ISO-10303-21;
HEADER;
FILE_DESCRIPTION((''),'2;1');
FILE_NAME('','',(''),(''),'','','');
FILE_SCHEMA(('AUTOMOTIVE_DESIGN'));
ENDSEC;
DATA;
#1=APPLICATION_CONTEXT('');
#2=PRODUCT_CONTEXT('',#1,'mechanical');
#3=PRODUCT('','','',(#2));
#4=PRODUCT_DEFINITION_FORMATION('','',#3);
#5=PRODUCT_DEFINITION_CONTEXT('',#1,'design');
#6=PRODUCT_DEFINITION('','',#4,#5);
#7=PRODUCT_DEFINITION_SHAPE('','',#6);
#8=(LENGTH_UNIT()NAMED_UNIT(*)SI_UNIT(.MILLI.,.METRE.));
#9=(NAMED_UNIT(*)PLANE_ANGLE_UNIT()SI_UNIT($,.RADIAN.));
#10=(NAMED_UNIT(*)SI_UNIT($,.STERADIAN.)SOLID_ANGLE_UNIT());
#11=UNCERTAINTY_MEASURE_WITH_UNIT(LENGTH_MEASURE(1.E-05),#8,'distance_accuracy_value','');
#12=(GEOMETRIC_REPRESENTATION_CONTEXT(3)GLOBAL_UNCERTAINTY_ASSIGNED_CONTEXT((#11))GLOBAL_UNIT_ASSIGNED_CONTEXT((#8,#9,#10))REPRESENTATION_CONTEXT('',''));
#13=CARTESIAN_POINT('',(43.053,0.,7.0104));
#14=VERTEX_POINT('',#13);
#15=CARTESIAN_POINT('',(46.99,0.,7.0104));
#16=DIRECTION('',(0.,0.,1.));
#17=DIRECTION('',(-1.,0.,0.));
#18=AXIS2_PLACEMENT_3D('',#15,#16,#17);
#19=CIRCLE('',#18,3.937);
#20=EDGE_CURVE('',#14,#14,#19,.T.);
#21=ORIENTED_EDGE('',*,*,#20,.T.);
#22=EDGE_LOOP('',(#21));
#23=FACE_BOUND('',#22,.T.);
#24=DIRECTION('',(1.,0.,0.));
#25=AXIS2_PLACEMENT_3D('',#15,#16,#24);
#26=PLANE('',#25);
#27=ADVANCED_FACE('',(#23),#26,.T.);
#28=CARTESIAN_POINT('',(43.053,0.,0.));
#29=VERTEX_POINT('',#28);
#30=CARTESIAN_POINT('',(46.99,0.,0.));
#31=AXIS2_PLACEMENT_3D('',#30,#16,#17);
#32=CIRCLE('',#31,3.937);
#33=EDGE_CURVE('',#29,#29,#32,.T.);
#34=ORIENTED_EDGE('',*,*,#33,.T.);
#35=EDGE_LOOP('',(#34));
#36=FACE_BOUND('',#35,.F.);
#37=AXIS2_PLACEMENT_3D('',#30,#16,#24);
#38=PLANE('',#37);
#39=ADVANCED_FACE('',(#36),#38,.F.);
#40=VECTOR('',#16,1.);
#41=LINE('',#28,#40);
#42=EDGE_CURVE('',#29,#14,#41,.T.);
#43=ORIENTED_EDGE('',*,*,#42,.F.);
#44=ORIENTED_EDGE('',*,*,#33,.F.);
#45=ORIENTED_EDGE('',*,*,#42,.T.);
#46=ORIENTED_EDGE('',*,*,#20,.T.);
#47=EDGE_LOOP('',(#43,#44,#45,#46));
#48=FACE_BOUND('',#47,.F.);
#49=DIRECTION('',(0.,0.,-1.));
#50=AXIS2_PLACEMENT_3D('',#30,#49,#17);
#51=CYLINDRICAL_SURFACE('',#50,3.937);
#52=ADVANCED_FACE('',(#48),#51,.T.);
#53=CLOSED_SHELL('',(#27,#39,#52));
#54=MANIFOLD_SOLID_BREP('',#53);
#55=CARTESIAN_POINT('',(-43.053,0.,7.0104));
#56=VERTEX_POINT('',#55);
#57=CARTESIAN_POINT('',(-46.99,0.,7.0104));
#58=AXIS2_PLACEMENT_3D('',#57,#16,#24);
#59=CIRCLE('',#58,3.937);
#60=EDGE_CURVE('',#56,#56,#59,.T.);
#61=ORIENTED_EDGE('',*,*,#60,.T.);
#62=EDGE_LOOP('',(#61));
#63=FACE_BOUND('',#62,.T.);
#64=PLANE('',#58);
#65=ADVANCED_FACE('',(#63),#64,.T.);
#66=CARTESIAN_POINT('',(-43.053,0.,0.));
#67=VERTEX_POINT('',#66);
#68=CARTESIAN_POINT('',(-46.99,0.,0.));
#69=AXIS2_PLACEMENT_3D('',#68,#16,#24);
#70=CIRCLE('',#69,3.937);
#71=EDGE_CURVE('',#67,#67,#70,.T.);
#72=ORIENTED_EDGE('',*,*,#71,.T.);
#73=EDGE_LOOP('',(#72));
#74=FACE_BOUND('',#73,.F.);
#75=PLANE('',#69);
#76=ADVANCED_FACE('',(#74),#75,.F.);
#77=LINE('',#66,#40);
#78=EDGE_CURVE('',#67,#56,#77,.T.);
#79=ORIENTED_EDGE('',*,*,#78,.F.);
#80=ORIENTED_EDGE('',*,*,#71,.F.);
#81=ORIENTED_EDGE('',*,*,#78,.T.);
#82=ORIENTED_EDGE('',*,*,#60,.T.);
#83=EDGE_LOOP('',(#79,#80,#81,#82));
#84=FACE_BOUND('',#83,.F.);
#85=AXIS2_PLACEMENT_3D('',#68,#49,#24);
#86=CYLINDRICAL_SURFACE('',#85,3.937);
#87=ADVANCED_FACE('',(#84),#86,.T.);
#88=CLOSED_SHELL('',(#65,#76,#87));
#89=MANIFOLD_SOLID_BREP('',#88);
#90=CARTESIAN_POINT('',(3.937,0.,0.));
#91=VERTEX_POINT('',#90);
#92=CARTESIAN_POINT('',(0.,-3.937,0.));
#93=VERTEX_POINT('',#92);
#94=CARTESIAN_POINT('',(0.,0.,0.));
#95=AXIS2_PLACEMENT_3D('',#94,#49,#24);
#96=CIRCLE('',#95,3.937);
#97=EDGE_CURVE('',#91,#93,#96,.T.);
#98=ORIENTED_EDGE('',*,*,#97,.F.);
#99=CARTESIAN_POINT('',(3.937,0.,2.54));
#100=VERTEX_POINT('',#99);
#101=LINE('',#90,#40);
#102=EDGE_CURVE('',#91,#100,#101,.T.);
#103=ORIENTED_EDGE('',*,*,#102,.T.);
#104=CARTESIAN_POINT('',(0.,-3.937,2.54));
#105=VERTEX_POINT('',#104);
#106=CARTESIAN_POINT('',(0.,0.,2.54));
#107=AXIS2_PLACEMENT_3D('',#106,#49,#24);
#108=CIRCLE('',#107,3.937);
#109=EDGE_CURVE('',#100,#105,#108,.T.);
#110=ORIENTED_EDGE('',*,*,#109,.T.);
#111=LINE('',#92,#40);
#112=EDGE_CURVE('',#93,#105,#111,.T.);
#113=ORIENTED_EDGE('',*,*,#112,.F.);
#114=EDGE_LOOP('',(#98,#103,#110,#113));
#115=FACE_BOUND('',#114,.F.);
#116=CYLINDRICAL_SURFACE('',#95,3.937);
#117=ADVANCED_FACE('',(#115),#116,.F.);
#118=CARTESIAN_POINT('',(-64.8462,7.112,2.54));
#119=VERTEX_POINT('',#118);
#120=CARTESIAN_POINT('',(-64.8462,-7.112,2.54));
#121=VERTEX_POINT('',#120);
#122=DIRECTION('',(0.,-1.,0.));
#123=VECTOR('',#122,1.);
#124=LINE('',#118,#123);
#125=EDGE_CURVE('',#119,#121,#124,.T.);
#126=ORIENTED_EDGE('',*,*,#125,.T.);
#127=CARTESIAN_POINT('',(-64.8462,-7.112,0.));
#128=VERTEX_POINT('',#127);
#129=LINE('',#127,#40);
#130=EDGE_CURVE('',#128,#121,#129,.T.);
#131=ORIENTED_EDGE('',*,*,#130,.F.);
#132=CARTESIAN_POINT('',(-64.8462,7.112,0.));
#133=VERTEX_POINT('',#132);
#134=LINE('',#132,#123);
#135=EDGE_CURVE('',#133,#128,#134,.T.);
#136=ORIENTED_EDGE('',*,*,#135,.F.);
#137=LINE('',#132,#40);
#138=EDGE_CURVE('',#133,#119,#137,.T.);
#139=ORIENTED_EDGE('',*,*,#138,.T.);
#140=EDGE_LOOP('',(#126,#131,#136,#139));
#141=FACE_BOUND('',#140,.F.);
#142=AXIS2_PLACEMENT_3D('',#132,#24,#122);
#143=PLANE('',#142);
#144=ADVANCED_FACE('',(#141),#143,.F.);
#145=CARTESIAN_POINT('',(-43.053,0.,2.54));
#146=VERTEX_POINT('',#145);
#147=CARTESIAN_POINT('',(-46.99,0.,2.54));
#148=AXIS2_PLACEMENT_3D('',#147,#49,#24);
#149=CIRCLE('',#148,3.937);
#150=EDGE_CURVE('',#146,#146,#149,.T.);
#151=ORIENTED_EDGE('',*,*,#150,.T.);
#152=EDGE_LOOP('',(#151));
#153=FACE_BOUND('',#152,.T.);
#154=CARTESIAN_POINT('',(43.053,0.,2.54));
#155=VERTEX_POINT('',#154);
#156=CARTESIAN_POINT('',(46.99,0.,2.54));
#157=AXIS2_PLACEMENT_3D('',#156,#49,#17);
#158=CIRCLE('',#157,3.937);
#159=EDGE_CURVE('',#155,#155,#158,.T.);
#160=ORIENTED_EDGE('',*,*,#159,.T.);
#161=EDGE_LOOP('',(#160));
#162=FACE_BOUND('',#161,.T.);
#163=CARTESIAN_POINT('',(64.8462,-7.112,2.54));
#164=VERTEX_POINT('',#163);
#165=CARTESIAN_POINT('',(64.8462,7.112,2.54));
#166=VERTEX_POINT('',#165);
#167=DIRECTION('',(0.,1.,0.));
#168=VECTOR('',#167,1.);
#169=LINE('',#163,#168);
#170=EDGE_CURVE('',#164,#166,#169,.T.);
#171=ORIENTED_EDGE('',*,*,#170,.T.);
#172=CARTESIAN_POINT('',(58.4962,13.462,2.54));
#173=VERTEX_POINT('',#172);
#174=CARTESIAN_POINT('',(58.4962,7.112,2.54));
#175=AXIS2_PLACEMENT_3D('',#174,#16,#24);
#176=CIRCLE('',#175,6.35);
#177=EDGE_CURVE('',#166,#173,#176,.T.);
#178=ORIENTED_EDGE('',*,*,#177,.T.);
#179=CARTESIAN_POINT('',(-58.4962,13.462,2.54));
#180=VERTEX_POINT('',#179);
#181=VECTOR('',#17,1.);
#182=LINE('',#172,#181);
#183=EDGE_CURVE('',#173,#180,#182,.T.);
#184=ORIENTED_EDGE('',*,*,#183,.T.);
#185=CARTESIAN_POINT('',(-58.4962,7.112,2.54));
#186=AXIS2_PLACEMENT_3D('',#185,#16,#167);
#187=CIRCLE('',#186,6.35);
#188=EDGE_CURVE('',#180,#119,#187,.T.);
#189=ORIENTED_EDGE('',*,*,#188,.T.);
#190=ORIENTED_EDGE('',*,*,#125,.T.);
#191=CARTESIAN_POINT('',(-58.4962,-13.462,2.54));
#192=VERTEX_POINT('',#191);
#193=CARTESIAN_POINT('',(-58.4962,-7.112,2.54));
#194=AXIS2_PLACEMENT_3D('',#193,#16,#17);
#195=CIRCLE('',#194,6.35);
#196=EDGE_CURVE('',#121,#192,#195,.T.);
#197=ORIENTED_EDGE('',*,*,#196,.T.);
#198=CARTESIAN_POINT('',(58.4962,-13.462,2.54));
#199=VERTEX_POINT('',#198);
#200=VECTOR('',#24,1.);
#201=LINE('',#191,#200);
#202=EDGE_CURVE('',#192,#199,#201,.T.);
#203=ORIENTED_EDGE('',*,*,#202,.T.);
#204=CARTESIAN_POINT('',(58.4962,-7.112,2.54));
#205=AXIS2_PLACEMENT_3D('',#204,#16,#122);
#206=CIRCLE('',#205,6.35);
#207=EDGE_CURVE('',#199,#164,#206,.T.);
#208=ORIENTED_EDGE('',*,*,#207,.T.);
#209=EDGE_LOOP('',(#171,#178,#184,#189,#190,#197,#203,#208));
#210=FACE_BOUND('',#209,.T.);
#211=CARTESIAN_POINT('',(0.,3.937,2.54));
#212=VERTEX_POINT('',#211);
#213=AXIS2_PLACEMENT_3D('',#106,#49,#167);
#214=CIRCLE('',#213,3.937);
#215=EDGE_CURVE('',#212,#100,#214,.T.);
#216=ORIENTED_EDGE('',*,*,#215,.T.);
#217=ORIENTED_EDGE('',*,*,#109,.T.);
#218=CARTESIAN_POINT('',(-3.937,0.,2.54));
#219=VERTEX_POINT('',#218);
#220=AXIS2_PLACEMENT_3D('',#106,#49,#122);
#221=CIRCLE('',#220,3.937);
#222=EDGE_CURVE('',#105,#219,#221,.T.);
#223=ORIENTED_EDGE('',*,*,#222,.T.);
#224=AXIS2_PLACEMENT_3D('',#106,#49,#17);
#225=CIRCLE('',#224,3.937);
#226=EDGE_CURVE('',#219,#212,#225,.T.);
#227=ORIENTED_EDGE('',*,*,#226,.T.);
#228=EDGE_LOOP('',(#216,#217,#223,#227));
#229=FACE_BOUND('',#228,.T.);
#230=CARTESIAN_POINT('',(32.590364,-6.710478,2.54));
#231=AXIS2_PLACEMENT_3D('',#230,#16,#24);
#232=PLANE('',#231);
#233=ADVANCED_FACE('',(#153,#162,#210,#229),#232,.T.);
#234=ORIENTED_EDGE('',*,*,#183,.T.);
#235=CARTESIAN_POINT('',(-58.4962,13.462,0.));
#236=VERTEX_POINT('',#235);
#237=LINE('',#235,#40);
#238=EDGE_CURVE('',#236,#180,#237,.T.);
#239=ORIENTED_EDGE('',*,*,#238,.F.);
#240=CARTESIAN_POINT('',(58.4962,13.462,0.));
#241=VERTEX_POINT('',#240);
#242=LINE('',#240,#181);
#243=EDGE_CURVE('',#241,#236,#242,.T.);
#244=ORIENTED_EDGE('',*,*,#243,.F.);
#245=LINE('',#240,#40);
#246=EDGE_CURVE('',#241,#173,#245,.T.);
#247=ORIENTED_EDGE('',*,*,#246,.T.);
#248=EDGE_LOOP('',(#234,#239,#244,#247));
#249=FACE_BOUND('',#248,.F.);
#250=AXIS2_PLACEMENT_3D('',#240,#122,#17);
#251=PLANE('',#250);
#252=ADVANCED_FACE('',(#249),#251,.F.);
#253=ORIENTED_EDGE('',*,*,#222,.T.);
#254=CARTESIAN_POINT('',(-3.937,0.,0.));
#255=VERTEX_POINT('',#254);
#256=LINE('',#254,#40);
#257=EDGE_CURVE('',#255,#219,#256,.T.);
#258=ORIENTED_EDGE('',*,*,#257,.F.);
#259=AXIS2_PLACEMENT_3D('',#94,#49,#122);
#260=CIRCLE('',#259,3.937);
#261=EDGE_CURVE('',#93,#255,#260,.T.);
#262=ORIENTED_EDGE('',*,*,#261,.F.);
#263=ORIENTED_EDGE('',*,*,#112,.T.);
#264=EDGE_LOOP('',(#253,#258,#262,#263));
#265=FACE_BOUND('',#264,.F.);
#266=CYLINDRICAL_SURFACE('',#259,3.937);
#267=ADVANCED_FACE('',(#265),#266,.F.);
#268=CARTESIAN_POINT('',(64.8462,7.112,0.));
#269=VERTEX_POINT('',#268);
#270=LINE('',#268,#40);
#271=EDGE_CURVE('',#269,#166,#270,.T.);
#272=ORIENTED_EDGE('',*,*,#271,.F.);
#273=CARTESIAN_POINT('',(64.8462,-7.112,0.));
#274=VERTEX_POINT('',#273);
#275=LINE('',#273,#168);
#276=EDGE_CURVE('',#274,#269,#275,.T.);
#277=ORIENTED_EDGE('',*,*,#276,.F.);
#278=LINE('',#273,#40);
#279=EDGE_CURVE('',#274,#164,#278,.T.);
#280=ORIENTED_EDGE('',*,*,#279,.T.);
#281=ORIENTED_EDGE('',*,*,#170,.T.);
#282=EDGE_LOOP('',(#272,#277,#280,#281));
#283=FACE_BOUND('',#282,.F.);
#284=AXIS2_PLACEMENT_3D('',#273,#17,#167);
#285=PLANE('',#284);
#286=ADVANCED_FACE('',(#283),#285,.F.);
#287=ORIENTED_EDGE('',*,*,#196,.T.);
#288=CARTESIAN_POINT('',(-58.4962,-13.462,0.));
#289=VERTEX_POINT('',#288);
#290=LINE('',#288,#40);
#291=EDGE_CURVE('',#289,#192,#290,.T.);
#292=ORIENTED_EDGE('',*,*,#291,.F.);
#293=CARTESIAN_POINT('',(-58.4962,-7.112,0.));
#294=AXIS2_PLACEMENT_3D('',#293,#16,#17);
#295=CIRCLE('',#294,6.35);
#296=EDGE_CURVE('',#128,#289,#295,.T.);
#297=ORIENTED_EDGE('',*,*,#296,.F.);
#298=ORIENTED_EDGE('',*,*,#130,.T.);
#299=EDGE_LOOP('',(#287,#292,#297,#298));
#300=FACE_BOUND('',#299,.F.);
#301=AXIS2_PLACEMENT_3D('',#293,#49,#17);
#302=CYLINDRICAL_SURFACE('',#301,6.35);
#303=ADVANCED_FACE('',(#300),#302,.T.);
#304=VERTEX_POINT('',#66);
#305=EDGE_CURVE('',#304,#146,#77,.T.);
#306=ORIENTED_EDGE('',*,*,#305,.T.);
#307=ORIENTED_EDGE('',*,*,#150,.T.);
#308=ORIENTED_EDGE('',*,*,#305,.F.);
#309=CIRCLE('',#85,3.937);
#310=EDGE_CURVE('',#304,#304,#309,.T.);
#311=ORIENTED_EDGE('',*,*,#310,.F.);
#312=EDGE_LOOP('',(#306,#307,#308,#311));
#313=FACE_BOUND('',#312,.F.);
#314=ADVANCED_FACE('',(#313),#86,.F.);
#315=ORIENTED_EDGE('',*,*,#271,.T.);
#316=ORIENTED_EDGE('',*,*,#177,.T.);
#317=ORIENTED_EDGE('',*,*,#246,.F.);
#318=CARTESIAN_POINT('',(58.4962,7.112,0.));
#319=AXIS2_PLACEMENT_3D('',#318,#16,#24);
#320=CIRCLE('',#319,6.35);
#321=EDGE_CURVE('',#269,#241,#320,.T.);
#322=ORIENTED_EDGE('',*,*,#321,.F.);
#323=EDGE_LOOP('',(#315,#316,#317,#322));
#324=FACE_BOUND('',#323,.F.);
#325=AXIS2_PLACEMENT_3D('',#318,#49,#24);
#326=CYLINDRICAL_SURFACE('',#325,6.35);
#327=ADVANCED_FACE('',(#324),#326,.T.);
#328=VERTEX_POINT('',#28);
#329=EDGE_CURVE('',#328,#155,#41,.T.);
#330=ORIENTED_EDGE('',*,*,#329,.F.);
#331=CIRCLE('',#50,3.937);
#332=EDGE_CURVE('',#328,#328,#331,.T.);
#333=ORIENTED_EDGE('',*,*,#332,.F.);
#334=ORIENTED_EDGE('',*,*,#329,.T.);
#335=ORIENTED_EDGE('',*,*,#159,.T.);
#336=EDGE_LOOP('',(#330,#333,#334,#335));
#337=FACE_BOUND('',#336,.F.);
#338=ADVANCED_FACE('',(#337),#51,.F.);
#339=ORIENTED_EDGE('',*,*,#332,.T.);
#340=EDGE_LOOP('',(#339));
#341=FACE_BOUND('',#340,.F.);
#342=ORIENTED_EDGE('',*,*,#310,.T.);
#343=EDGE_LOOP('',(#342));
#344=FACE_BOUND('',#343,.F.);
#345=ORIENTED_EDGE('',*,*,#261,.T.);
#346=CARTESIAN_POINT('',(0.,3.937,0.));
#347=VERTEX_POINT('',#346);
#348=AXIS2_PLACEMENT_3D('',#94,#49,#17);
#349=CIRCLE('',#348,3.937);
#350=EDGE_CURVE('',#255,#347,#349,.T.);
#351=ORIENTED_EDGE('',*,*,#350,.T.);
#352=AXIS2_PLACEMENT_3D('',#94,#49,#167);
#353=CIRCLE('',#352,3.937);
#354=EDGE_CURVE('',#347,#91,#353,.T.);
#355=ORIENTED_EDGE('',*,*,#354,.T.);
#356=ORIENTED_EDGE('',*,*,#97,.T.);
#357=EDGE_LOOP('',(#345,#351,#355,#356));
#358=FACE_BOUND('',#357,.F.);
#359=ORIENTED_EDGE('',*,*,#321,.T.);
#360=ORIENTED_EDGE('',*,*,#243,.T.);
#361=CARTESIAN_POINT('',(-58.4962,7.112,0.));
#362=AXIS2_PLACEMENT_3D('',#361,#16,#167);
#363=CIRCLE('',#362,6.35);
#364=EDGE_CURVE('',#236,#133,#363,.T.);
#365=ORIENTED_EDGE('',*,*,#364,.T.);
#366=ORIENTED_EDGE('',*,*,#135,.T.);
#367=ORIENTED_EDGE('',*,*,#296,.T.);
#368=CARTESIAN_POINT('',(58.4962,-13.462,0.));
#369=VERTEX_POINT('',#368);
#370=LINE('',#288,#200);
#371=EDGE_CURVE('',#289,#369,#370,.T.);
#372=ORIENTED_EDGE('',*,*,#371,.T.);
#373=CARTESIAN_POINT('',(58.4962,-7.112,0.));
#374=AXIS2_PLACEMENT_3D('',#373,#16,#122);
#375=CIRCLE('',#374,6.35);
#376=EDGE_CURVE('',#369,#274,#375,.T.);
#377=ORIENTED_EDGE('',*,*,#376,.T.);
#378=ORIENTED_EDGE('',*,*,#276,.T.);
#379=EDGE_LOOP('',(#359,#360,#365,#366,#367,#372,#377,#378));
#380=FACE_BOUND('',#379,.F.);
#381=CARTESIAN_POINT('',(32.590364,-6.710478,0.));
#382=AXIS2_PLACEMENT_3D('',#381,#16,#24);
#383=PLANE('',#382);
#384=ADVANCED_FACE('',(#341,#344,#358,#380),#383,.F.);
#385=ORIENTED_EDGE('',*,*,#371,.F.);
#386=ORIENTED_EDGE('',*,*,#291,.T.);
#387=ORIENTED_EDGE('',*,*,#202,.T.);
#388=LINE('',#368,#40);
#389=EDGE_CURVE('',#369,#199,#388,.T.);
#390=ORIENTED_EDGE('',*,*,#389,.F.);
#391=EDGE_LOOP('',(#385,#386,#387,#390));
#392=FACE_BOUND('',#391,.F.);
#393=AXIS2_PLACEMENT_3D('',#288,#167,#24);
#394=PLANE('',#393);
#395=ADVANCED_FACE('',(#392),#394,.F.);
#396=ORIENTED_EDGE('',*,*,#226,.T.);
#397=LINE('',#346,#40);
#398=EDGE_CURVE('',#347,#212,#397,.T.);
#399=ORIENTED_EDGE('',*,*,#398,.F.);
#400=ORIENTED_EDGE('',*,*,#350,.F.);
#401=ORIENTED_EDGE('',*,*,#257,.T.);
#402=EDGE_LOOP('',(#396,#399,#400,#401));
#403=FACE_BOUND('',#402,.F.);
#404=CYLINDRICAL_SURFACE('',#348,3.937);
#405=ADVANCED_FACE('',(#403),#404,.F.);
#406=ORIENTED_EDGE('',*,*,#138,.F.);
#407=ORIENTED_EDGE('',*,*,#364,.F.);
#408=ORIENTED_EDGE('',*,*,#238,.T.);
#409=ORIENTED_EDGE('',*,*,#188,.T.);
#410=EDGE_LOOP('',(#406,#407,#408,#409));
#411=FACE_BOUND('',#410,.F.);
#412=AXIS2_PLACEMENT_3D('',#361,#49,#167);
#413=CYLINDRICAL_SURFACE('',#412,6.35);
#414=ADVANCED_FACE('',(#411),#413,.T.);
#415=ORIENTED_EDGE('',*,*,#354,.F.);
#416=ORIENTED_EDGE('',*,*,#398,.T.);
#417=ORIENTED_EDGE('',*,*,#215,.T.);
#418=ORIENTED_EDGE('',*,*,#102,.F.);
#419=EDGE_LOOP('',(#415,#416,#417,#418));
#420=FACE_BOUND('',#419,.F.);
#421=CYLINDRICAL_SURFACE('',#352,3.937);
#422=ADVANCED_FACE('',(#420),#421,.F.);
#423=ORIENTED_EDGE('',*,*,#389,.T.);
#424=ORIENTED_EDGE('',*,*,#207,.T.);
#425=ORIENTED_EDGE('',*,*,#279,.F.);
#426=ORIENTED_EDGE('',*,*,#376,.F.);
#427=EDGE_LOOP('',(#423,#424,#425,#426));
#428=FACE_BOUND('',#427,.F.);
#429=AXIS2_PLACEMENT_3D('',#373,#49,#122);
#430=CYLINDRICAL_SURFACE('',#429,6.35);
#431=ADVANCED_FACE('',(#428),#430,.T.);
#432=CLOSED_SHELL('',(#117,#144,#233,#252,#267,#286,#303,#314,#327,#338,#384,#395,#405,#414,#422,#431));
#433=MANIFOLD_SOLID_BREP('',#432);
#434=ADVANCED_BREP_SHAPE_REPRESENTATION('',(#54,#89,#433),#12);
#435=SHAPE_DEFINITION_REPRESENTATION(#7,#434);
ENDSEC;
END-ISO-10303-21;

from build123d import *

# Parameters (mm, degrees)
F1_DEPTH = 7.0104
F2_DEPTH = 2.54


with BuildPart() as f1:
    # F0 (on Top) → F1 (new body)
    with BuildSketch(Plane.XY):
        with BuildLine():
            ThreePointArc((50.927, 0), (46.99, 3.937), (43.053, 0))
            ThreePointArc((43.053, 0), (46.99, -3.937), (50.927, 0))
        make_face()
    extrude(amount=F1_DEPTH)


with BuildPart() as f1b:
    # F0 (on Top) → F1, piece 2 (new body)
    with BuildSketch(Plane.XY):
        with BuildLine():
            ThreePointArc((-50.927, 0), (-46.99, -3.937), (-43.053, 0))
            ThreePointArc((-43.053, 0), (-46.99, 3.937), (-50.927, 0))
        make_face()
    extrude(amount=F1_DEPTH)


with BuildPart() as f2:
    # F0 (on Top) → F2 (new body)
    with BuildSketch(Plane.XY):
        with BuildLine():
            Line((43.053, 0), (3.937, 0))
            ThreePointArc((3.937, 0), (2.7838793975, -2.7838793975), (0, -3.937))
            Line((0, -3.937), (0, -13.462))
            Line((0, -13.462), (58.4962, -13.462))
            ThreePointArc((58.4962, -13.462), (62.9863280605, -11.6021280605), (64.8462, -7.112))
            Line((64.8462, -7.112), (64.8462, 0))
            Line((64.8462, 0), (50.927, 0))
            ThreePointArc((50.927, 0), (46.99, -3.937), (43.053, 0))
        make_face()
        with BuildLine():
            ThreePointArc((0, 3.937), (2.7838793975, 2.7838793975), (3.937, 0))
            Line((3.937, 0), (43.053, 0))
            ThreePointArc((43.053, 0), (46.99, 3.937), (50.927, 0))
            Line((50.927, 0), (64.8462, 0))
            Line((64.8462, 0), (64.8462, 7.112))
            ThreePointArc((64.8462, 7.112), (62.9863280605, 11.6021280605), (58.4962, 13.462))
            Line((58.4962, 13.462), (0, 13.462))
            Line((0, 13.462), (0, 3.937))
        make_face()
        with BuildLine():
            ThreePointArc((-3.937, 0), (-2.7838793975, 2.7838793975), (0, 3.937))
            Line((0, 3.937), (0, 13.462))
            Line((0, 13.462), (-58.4962, 13.462))
            ThreePointArc((-58.4962, 13.462), (-62.9863280605, 11.6021280605), (-64.8462, 7.112))
            Line((-64.8462, 7.112), (-64.8462, 0))
            Line((-64.8462, 0), (-50.927, 0))
            ThreePointArc((-50.927, 0), (-46.99, 3.937), (-43.053, 0))
            Line((-43.053, 0), (-3.937, 0))
        make_face()
        with BuildLine():
            Line((0, -13.462), (0, -3.937))
            ThreePointArc((0, -3.937), (-2.7838793975, -2.7838793975), (-3.937, 0))
            Line((-3.937, 0), (-43.053, 0))
            ThreePointArc((-43.053, 0), (-46.99, -3.937), (-50.927, 0))
            Line((-50.927, 0), (-64.8462, 0))
            Line((-64.8462, 0), (-64.8462, -7.112))
            ThreePointArc((-64.8462, -7.112), (-62.9863280605, -11.6021280605), (-58.4962, -13.462))
            Line((-58.4962, -13.462), (0, -13.462))
        make_face()
    extrude(amount=F2_DEPTH)


solid = Compound([f1.part, f1b.part, f2.part])
